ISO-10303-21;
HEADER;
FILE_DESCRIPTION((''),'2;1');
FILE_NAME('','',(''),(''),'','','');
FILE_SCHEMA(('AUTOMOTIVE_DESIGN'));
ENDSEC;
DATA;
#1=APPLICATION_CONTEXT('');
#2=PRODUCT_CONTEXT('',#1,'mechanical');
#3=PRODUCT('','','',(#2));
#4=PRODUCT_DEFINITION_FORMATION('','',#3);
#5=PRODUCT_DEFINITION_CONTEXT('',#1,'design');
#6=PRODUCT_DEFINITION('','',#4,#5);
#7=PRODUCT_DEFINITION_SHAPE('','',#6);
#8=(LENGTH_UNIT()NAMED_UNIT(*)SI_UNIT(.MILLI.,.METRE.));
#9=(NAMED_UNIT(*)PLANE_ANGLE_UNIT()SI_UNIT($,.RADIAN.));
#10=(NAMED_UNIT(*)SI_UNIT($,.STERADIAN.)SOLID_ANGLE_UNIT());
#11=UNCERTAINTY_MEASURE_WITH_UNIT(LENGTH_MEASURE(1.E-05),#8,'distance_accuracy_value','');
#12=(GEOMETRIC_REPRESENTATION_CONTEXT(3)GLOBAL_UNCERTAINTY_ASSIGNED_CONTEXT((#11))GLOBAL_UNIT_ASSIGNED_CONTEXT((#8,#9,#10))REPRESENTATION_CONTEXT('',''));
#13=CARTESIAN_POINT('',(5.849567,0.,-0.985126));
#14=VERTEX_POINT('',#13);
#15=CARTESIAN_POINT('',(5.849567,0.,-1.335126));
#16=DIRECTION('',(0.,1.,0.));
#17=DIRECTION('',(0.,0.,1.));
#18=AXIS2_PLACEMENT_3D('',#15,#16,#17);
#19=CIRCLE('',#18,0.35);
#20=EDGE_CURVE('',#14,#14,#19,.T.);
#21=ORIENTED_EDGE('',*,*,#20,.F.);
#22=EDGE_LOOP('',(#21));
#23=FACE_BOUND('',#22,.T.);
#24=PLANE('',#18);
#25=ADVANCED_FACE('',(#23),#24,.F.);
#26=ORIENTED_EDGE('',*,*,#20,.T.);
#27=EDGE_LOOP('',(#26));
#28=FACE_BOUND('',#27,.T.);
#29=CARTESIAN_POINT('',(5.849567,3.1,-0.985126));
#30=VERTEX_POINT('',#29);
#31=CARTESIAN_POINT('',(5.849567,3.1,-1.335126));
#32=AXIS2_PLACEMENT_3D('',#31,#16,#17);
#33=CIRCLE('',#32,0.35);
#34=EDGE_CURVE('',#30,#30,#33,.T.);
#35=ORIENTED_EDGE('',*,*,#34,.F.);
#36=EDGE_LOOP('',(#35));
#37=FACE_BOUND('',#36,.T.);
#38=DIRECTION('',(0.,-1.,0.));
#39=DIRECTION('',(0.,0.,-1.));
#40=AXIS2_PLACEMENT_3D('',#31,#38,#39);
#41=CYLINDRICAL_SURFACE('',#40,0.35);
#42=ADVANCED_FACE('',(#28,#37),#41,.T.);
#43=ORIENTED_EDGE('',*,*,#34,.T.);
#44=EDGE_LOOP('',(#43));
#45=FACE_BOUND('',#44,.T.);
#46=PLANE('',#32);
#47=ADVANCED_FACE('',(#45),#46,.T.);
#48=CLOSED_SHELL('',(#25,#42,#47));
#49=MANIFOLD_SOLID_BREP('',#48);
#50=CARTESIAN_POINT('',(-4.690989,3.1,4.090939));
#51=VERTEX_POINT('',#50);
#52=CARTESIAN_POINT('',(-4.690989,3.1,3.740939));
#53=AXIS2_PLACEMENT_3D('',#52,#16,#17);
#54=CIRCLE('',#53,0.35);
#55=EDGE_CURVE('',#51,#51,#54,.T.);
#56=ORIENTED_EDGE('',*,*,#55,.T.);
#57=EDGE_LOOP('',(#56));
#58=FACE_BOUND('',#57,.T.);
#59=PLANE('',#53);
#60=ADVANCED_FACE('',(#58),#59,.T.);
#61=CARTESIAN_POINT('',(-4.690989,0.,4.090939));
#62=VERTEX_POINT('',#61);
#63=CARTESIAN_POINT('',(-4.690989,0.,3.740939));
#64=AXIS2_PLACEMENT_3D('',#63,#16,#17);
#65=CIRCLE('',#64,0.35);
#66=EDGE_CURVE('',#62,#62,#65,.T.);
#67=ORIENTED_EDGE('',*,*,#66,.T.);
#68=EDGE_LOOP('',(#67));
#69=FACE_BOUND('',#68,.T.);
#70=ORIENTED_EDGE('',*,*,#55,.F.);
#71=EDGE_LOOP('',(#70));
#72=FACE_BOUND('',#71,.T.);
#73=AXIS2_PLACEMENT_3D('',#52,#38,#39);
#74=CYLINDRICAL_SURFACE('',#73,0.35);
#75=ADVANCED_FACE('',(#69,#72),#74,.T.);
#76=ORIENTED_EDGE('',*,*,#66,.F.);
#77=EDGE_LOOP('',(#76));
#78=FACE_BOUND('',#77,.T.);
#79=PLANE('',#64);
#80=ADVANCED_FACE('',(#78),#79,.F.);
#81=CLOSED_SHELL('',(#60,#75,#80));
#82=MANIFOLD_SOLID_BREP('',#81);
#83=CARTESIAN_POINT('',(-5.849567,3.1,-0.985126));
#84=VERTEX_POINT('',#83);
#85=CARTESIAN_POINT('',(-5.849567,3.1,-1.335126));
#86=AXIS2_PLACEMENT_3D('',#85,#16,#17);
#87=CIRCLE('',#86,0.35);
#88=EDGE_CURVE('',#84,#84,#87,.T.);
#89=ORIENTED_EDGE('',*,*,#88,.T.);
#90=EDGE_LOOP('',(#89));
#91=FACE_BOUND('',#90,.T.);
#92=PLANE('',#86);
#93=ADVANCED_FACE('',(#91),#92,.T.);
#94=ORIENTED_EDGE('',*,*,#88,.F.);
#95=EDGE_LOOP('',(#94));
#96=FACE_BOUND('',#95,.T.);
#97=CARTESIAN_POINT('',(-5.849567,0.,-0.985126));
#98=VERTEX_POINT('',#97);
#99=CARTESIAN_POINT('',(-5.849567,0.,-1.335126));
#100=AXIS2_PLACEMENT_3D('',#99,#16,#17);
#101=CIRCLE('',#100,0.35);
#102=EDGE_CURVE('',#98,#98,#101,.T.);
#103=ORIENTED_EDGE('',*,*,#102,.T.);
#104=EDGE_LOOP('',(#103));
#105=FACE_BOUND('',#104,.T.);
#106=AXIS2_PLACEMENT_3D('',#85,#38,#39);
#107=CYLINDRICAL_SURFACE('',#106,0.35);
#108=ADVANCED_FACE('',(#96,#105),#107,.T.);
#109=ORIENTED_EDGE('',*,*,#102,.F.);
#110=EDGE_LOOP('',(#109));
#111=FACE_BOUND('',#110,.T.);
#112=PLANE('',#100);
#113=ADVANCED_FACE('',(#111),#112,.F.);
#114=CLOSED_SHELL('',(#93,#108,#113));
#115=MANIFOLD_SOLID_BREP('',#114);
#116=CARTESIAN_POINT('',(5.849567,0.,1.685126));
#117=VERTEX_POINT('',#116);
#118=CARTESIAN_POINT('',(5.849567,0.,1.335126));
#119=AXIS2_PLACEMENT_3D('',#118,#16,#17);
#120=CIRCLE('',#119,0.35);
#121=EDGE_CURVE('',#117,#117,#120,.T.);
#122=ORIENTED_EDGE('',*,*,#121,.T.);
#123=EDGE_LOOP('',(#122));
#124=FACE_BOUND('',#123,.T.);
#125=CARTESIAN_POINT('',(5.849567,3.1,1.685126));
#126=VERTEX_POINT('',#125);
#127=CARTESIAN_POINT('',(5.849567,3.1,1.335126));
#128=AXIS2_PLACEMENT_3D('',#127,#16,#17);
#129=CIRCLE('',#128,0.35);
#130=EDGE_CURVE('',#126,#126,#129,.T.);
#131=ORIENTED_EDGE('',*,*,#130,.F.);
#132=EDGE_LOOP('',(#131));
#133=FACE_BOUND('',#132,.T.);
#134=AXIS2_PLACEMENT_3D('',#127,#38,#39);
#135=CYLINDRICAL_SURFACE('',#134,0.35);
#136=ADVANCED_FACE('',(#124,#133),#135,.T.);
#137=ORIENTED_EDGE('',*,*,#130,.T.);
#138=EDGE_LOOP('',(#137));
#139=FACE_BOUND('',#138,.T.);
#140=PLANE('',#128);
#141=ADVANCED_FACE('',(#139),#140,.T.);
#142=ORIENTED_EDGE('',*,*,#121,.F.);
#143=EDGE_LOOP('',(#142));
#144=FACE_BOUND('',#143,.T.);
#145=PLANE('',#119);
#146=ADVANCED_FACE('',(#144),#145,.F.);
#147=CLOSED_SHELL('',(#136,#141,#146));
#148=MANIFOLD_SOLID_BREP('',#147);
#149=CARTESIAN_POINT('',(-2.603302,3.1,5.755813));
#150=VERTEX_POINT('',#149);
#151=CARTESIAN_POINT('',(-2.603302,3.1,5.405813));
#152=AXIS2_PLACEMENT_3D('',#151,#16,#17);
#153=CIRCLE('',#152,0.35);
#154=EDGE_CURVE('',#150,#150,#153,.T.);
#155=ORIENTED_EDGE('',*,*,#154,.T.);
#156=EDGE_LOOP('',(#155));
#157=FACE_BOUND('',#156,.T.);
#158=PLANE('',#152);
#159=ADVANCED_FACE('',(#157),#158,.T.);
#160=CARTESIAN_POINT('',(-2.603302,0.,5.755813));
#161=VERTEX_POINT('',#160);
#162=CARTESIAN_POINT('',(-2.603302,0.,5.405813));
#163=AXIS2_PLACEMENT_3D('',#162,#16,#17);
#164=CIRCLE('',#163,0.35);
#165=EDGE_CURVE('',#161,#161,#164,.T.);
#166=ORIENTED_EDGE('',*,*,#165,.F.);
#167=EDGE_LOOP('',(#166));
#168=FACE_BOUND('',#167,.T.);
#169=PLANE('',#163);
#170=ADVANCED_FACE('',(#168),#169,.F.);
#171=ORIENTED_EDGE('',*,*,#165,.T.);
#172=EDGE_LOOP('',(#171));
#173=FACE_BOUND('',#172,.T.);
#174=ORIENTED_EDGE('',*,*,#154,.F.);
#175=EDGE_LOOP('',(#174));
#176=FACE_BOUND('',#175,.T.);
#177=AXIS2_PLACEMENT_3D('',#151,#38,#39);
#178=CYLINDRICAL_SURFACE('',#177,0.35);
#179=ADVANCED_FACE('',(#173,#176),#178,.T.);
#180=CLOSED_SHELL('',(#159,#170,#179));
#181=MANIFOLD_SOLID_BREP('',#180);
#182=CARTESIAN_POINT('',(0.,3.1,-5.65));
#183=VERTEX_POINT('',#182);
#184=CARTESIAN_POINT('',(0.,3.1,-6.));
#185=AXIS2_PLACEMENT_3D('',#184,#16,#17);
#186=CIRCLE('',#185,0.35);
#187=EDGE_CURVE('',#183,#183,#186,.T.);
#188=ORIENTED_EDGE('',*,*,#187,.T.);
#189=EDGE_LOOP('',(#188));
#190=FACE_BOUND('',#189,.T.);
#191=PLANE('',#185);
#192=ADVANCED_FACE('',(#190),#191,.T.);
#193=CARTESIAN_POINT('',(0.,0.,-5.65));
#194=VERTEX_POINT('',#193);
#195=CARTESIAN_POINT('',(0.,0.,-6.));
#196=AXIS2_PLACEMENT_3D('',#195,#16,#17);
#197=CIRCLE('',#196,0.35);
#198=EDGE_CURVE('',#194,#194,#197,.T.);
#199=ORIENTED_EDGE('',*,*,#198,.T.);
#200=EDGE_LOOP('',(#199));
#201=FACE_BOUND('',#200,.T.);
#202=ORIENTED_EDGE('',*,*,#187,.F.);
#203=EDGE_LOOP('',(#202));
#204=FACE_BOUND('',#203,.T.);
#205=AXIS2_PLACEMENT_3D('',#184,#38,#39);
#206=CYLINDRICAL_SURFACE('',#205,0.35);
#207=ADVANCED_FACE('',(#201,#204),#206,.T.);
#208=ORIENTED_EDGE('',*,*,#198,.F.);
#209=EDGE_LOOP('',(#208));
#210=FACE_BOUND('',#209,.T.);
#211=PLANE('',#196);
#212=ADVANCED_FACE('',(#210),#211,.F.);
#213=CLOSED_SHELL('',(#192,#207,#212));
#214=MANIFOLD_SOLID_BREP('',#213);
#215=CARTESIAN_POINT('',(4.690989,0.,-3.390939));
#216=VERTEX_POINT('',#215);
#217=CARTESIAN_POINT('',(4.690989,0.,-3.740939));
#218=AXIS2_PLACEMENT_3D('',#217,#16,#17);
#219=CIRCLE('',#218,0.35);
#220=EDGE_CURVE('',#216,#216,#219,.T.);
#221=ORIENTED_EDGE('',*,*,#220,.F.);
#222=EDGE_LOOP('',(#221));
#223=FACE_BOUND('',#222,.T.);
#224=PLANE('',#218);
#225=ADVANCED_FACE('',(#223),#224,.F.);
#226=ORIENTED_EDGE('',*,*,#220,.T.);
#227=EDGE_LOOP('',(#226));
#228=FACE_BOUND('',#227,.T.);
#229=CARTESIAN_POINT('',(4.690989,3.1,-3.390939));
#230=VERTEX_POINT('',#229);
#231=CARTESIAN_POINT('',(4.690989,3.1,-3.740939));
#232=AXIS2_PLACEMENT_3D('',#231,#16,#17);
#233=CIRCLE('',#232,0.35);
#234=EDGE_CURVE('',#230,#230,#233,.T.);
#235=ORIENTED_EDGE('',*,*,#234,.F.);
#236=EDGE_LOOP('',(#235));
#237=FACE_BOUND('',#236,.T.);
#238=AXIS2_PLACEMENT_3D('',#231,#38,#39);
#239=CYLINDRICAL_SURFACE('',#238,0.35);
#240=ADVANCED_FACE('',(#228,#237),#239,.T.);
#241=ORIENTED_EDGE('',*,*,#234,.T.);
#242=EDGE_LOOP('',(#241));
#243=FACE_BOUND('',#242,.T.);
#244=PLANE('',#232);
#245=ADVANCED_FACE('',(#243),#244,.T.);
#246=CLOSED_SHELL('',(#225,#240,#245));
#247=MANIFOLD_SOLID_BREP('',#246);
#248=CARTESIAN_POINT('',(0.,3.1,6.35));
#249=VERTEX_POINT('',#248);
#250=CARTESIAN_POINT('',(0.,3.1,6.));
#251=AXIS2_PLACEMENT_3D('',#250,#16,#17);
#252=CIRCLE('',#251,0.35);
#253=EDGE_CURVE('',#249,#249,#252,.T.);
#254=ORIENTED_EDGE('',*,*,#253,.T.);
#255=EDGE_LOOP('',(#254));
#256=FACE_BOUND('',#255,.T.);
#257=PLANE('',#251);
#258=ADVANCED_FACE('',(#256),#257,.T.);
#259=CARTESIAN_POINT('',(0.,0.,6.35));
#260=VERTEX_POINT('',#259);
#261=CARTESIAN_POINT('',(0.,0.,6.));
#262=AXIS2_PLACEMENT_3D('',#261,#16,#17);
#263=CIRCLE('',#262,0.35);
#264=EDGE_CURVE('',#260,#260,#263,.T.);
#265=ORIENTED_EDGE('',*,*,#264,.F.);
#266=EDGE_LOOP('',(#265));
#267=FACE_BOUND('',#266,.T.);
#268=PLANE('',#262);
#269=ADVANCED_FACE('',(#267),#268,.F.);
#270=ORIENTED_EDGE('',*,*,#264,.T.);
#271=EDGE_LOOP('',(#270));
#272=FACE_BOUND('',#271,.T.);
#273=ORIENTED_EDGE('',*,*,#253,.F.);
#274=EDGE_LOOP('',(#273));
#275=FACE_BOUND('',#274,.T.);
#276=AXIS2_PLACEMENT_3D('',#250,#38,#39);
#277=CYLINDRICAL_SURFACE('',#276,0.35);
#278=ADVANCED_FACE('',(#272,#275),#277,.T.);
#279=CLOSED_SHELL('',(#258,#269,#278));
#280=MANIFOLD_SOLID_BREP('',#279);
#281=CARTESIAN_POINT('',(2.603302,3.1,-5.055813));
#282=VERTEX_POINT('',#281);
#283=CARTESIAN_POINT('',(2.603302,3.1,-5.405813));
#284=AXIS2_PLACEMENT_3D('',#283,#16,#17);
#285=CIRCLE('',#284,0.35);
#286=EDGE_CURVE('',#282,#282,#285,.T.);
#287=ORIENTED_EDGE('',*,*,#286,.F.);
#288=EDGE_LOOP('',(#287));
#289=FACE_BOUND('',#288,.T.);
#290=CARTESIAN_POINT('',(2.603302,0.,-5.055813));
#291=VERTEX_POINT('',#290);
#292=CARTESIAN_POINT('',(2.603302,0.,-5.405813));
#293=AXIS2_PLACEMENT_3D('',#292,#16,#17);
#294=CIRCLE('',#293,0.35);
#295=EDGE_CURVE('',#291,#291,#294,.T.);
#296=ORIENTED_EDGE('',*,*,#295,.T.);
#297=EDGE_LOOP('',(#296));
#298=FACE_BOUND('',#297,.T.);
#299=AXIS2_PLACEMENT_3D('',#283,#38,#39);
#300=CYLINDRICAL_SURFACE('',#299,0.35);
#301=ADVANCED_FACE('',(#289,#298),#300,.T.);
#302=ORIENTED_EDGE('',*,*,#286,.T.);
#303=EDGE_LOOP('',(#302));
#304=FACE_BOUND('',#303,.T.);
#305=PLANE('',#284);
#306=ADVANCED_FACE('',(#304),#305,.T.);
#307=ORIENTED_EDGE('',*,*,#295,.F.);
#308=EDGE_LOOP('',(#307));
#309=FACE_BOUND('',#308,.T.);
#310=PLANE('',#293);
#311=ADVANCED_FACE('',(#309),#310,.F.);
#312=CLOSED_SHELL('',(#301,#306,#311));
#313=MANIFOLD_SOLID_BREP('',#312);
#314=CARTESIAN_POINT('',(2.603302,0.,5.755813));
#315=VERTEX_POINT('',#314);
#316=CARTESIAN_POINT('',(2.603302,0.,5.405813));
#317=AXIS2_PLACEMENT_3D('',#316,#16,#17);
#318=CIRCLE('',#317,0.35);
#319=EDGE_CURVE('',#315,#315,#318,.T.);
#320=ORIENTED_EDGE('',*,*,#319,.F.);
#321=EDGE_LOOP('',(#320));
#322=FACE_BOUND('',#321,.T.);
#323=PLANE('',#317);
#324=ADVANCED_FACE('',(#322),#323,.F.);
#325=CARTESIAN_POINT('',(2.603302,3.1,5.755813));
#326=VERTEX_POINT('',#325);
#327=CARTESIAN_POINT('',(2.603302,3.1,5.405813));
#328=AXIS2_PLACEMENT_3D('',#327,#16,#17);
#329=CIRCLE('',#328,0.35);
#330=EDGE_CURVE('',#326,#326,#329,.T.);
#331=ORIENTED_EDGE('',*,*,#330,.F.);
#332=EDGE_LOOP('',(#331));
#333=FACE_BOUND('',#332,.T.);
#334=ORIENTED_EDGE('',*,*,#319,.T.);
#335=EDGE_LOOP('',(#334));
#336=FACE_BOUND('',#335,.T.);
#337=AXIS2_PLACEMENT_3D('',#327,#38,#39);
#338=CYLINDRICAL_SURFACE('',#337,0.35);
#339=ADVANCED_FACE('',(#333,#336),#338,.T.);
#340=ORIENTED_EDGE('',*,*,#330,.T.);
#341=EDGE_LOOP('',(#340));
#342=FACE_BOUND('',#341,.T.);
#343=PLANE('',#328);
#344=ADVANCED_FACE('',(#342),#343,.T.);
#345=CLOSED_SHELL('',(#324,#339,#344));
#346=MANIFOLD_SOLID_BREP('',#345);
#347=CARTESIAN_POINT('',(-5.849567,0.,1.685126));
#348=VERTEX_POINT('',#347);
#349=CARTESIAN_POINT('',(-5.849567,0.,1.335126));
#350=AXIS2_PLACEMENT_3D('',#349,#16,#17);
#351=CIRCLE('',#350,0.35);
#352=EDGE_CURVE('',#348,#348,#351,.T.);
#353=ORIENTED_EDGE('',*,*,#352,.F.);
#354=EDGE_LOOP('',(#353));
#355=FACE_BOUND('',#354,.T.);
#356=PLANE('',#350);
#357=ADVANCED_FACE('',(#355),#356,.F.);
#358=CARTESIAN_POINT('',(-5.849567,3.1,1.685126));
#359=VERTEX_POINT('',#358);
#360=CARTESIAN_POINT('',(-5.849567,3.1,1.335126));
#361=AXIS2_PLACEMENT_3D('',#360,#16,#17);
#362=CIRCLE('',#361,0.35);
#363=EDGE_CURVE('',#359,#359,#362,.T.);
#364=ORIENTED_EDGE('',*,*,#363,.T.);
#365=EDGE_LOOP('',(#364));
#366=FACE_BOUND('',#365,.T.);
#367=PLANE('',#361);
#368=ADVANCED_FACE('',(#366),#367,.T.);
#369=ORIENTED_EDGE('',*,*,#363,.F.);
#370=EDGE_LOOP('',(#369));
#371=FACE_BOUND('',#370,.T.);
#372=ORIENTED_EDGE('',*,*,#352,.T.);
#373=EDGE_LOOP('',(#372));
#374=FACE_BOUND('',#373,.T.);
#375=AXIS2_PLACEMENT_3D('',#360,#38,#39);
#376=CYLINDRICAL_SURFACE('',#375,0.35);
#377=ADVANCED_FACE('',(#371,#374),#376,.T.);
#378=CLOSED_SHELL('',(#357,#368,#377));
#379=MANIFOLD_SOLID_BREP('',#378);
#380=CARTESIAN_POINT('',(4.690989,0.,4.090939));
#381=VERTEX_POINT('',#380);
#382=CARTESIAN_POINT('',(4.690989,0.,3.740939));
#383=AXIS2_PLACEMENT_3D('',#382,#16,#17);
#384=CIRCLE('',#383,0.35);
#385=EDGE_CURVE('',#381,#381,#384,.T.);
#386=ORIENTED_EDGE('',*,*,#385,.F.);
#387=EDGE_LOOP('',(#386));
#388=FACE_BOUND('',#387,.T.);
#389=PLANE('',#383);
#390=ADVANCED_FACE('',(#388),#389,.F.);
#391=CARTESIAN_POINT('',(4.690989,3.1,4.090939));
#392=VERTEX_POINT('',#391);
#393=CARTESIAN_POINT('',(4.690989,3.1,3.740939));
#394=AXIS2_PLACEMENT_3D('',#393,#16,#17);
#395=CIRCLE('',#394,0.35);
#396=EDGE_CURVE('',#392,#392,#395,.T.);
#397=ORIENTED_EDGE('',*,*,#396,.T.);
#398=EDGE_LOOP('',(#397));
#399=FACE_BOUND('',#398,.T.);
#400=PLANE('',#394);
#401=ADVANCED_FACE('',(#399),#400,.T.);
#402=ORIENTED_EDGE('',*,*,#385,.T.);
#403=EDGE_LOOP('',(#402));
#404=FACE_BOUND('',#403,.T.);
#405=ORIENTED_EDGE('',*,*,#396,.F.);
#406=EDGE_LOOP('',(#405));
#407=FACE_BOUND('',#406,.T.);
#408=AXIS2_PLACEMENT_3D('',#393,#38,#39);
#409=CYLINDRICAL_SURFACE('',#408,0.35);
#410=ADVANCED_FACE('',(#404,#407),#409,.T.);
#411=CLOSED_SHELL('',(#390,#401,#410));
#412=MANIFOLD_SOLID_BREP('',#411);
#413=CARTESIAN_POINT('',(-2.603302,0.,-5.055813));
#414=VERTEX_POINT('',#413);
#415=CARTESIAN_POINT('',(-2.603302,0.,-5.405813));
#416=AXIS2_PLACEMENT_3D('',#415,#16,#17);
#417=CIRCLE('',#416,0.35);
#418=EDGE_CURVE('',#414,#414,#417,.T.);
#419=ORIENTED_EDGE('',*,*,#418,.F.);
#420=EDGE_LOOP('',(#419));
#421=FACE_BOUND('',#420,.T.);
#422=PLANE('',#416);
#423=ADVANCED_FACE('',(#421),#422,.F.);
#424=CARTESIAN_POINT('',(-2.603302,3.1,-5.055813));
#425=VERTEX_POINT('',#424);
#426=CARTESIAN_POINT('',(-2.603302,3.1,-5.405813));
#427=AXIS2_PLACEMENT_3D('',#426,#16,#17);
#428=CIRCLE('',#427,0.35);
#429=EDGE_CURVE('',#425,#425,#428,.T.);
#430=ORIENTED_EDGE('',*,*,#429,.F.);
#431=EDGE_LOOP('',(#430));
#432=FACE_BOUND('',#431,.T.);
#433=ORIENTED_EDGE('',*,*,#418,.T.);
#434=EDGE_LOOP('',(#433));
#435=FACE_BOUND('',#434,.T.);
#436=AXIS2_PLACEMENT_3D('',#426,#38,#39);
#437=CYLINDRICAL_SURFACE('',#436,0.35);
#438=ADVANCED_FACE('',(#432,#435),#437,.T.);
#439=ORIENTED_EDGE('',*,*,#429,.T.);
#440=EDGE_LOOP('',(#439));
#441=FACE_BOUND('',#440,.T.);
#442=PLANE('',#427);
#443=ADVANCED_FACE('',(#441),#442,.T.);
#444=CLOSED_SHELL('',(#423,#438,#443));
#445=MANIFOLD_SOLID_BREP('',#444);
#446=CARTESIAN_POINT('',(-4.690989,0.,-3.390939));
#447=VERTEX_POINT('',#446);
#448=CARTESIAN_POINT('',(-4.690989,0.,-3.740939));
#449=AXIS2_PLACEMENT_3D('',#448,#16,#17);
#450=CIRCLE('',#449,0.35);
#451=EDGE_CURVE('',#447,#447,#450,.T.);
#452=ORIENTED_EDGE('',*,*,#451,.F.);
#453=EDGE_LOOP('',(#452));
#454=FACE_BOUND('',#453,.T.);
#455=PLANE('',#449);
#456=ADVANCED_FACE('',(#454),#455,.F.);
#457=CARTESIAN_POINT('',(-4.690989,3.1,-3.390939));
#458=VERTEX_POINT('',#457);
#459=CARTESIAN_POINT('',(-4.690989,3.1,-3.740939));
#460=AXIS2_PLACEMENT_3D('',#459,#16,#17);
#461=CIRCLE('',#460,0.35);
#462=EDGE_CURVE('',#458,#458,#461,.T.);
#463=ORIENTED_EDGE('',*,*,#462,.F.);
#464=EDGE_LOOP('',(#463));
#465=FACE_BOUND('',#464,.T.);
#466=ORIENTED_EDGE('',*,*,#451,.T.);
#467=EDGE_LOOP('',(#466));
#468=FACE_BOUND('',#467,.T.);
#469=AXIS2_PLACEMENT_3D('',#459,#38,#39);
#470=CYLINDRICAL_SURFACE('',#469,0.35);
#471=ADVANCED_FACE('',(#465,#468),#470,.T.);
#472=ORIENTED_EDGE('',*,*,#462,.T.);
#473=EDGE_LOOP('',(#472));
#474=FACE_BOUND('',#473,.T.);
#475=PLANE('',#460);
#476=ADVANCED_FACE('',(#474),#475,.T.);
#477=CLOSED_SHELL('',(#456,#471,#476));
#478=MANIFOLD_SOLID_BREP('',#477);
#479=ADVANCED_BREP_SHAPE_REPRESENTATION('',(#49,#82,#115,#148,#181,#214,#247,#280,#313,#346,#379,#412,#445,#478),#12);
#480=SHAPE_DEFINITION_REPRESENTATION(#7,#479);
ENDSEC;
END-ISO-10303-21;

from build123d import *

# Parameters (mm, degrees)
SKETCH1_R              = 0.35
BOSS_EXTRUDE1_DEPTH    = 3.1
BOSS_EXTRUDE1_2_DEPTH  = 3.1
BOSS_EXTRUDE1_3_DEPTH  = 3.1
BOSS_EXTRUDE1_4_DEPTH  = 3.1
BOSS_EXTRUDE1_5_DEPTH  = 3.1
BOSS_EXTRUDE1_6_DEPTH  = 3.1
BOSS_EXTRUDE1_7_DEPTH  = 3.1
BOSS_EXTRUDE1_8_DEPTH  = 3.1
BOSS_EXTRUDE1_9_DEPTH  = 3.1
BOSS_EXTRUDE1_10_DEPTH = 3.1
BOSS_EXTRUDE1_11_DEPTH = 3.1
BOSS_EXTRUDE1_12_DEPTH = 3.1
BOSS_EXTRUDE1_13_DEPTH = 3.1
BOSS_EXTRUDE1_14_DEPTH = 3.1


with BuildPart() as part:
    # Sketch1 → Boss-Extrude1 (new body)
    with BuildSketch(Plane(origin=(0, 0, 0), x_dir=(-1, 0, 0), z_dir=(0, 1, 0))):
        with Locations(Location((0, 6, 0), (0, 0, 90))):
            Circle(SKETCH1_R)
    extrude(amount=BOSS_EXTRUDE1_DEPTH)


with BuildPart() as body_2:
    # Sketch1 → Boss-Extrude1 2 (new body)
    with BuildSketch(Plane(origin=(0, 0, 0), x_dir=(-1, 0, 0), z_dir=(0, 1, 0))):
        with Locations(Location((2.603302435, 5.405813207, 0), (0, 0, 90))):
            Circle(SKETCH1_R)
    extrude(amount=BOSS_EXTRUDE1_2_DEPTH)


with BuildPart() as body_3:
    # Sketch1 → Boss-Extrude1 3 (new body)
    with BuildSketch(Plane(origin=(0, 0, 0), x_dir=(-1, 0, 0), z_dir=(0, 1, 0))):
        with Locations(Location((4.690988895, 3.740938811, 0), (0, 0, 90))):
            Circle(SKETCH1_R)
    extrude(amount=BOSS_EXTRUDE1_3_DEPTH)


with BuildPart() as body_4:
    # Sketch1 → Boss-Extrude1 4 (new body)
    with BuildSketch(Plane(origin=(0, 0, 0), x_dir=(-1, 0, 0), z_dir=(0, 1, 0))):
        with Locations(Location((5.849567473, 1.335125604, 0), (0, 0, 90))):
            Circle(SKETCH1_R)
    extrude(amount=BOSS_EXTRUDE1_4_DEPTH)


with BuildPart() as body_5:
    # Sketch1 → Boss-Extrude1 5 (new body)
    with BuildSketch(Plane(origin=(0, 0, 0), x_dir=(-1, 0, 0), z_dir=(0, 1, 0))):
        with Locations(Location((5.849567473, -1.335125604, 0), (0, 0, 90))):
            Circle(SKETCH1_R)
    extrude(amount=BOSS_EXTRUDE1_5_DEPTH)


with BuildPart() as body_6:
    # Sketch1 → Boss-Extrude1 6 (new body)
    with BuildSketch(Plane(origin=(0, 0, 0), x_dir=(-1, 0, 0), z_dir=(0, 1, 0))):
        with Locations(Location((4.690988895, -3.740938811, 0), (0, 0, 90))):
            Circle(SKETCH1_R)
    extrude(amount=BOSS_EXTRUDE1_6_DEPTH)


with BuildPart() as body_7:
    # Sketch1 → Boss-Extrude1 7 (new body)
    with BuildSketch(Plane(origin=(0, 0, 0), x_dir=(-1, 0, 0), z_dir=(0, 1, 0))):
        with Locations(Location((2.603302435, -5.405813207, 0), (0, 0, 90))):
            Circle(SKETCH1_R)
    extrude(amount=BOSS_EXTRUDE1_7_DEPTH)


with BuildPart() as body_8:
    # Sketch1 → Boss-Extrude1 8 (new body)
    with BuildSketch(Plane(origin=(0, 0, 0), x_dir=(-1, 0, 0), z_dir=(0, 1, 0))):
        with Locations(Location((0, -6, 0), (0, 0, 90))):
            Circle(SKETCH1_R)
    extrude(amount=BOSS_EXTRUDE1_8_DEPTH)


with BuildPart() as body_9:
    # Sketch1 → Boss-Extrude1 9 (new body)
    with BuildSketch(Plane(origin=(0, 0, 0), x_dir=(-1, 0, 0), z_dir=(0, 1, 0))):
        with Locations(Location((-2.603302435, -5.405813207, 0), (0, 0, 90))):
            Circle(SKETCH1_R)
    extrude(amount=BOSS_EXTRUDE1_9_DEPTH)


with BuildPart() as body_10:
    # Sketch1 → Boss-Extrude1 10 (new body)
    with BuildSketch(Plane(origin=(0, 0, 0), x_dir=(-1, 0, 0), z_dir=(0, 1, 0))):
        with Locations(Location((-4.690988895, -3.740938811, 0), (0, 0, 90))):
            Circle(SKETCH1_R)
    extrude(amount=BOSS_EXTRUDE1_10_DEPTH)


with BuildPart() as body_11:
    # Sketch1 → Boss-Extrude1 11 (new body)
    with BuildSketch(Plane(origin=(0, 0, 0), x_dir=(-1, 0, 0), z_dir=(0, 1, 0))):
        with Locations(Location((-5.849567473, -1.335125604, 0), (0, 0, 90))):
            Circle(SKETCH1_R)
    extrude(amount=BOSS_EXTRUDE1_11_DEPTH)


with BuildPart() as body_12:
    # Sketch1 → Boss-Extrude1 12 (new body)
    with BuildSketch(Plane(origin=(0, 0, 0), x_dir=(-1, 0, 0), z_dir=(0, 1, 0))):
        with Locations(Location((-5.849567473, 1.335125604, 0), (0, 0, 90))):
            Circle(SKETCH1_R)
    extrude(amount=BOSS_EXTRUDE1_12_DEPTH)


with BuildPart() as body_13:
    # Sketch1 → Boss-Extrude1 13 (new body)
    with BuildSketch(Plane(origin=(0, 0, 0), x_dir=(-1, 0, 0), z_dir=(0, 1, 0))):
        with Locations(Location((-4.690988895, 3.740938811, 0), (0, 0, 90))):
            Circle(SKETCH1_R)
    extrude(amount=BOSS_EXTRUDE1_13_DEPTH)


with BuildPart() as body_14:
    # Sketch1 → Boss-Extrude1 14 (new body)
    with BuildSketch(Plane(origin=(0, 0, 0), x_dir=(-1, 0, 0), z_dir=(0, 1, 0))):
        with Locations(Location((-2.603302435, 5.405813207, 0), (0, 0, 90))):
            Circle(SKETCH1_R)
    extrude(amount=BOSS_EXTRUDE1_14_DEPTH)


solid = Compound([part.part, body_2.part, body_3.part, body_4.part, body_5.part, body_6.part, body_7.part, body_8.part, body_9.part, body_10.part, body_11.part, body_12.part, body_13.part, body_14.part])
